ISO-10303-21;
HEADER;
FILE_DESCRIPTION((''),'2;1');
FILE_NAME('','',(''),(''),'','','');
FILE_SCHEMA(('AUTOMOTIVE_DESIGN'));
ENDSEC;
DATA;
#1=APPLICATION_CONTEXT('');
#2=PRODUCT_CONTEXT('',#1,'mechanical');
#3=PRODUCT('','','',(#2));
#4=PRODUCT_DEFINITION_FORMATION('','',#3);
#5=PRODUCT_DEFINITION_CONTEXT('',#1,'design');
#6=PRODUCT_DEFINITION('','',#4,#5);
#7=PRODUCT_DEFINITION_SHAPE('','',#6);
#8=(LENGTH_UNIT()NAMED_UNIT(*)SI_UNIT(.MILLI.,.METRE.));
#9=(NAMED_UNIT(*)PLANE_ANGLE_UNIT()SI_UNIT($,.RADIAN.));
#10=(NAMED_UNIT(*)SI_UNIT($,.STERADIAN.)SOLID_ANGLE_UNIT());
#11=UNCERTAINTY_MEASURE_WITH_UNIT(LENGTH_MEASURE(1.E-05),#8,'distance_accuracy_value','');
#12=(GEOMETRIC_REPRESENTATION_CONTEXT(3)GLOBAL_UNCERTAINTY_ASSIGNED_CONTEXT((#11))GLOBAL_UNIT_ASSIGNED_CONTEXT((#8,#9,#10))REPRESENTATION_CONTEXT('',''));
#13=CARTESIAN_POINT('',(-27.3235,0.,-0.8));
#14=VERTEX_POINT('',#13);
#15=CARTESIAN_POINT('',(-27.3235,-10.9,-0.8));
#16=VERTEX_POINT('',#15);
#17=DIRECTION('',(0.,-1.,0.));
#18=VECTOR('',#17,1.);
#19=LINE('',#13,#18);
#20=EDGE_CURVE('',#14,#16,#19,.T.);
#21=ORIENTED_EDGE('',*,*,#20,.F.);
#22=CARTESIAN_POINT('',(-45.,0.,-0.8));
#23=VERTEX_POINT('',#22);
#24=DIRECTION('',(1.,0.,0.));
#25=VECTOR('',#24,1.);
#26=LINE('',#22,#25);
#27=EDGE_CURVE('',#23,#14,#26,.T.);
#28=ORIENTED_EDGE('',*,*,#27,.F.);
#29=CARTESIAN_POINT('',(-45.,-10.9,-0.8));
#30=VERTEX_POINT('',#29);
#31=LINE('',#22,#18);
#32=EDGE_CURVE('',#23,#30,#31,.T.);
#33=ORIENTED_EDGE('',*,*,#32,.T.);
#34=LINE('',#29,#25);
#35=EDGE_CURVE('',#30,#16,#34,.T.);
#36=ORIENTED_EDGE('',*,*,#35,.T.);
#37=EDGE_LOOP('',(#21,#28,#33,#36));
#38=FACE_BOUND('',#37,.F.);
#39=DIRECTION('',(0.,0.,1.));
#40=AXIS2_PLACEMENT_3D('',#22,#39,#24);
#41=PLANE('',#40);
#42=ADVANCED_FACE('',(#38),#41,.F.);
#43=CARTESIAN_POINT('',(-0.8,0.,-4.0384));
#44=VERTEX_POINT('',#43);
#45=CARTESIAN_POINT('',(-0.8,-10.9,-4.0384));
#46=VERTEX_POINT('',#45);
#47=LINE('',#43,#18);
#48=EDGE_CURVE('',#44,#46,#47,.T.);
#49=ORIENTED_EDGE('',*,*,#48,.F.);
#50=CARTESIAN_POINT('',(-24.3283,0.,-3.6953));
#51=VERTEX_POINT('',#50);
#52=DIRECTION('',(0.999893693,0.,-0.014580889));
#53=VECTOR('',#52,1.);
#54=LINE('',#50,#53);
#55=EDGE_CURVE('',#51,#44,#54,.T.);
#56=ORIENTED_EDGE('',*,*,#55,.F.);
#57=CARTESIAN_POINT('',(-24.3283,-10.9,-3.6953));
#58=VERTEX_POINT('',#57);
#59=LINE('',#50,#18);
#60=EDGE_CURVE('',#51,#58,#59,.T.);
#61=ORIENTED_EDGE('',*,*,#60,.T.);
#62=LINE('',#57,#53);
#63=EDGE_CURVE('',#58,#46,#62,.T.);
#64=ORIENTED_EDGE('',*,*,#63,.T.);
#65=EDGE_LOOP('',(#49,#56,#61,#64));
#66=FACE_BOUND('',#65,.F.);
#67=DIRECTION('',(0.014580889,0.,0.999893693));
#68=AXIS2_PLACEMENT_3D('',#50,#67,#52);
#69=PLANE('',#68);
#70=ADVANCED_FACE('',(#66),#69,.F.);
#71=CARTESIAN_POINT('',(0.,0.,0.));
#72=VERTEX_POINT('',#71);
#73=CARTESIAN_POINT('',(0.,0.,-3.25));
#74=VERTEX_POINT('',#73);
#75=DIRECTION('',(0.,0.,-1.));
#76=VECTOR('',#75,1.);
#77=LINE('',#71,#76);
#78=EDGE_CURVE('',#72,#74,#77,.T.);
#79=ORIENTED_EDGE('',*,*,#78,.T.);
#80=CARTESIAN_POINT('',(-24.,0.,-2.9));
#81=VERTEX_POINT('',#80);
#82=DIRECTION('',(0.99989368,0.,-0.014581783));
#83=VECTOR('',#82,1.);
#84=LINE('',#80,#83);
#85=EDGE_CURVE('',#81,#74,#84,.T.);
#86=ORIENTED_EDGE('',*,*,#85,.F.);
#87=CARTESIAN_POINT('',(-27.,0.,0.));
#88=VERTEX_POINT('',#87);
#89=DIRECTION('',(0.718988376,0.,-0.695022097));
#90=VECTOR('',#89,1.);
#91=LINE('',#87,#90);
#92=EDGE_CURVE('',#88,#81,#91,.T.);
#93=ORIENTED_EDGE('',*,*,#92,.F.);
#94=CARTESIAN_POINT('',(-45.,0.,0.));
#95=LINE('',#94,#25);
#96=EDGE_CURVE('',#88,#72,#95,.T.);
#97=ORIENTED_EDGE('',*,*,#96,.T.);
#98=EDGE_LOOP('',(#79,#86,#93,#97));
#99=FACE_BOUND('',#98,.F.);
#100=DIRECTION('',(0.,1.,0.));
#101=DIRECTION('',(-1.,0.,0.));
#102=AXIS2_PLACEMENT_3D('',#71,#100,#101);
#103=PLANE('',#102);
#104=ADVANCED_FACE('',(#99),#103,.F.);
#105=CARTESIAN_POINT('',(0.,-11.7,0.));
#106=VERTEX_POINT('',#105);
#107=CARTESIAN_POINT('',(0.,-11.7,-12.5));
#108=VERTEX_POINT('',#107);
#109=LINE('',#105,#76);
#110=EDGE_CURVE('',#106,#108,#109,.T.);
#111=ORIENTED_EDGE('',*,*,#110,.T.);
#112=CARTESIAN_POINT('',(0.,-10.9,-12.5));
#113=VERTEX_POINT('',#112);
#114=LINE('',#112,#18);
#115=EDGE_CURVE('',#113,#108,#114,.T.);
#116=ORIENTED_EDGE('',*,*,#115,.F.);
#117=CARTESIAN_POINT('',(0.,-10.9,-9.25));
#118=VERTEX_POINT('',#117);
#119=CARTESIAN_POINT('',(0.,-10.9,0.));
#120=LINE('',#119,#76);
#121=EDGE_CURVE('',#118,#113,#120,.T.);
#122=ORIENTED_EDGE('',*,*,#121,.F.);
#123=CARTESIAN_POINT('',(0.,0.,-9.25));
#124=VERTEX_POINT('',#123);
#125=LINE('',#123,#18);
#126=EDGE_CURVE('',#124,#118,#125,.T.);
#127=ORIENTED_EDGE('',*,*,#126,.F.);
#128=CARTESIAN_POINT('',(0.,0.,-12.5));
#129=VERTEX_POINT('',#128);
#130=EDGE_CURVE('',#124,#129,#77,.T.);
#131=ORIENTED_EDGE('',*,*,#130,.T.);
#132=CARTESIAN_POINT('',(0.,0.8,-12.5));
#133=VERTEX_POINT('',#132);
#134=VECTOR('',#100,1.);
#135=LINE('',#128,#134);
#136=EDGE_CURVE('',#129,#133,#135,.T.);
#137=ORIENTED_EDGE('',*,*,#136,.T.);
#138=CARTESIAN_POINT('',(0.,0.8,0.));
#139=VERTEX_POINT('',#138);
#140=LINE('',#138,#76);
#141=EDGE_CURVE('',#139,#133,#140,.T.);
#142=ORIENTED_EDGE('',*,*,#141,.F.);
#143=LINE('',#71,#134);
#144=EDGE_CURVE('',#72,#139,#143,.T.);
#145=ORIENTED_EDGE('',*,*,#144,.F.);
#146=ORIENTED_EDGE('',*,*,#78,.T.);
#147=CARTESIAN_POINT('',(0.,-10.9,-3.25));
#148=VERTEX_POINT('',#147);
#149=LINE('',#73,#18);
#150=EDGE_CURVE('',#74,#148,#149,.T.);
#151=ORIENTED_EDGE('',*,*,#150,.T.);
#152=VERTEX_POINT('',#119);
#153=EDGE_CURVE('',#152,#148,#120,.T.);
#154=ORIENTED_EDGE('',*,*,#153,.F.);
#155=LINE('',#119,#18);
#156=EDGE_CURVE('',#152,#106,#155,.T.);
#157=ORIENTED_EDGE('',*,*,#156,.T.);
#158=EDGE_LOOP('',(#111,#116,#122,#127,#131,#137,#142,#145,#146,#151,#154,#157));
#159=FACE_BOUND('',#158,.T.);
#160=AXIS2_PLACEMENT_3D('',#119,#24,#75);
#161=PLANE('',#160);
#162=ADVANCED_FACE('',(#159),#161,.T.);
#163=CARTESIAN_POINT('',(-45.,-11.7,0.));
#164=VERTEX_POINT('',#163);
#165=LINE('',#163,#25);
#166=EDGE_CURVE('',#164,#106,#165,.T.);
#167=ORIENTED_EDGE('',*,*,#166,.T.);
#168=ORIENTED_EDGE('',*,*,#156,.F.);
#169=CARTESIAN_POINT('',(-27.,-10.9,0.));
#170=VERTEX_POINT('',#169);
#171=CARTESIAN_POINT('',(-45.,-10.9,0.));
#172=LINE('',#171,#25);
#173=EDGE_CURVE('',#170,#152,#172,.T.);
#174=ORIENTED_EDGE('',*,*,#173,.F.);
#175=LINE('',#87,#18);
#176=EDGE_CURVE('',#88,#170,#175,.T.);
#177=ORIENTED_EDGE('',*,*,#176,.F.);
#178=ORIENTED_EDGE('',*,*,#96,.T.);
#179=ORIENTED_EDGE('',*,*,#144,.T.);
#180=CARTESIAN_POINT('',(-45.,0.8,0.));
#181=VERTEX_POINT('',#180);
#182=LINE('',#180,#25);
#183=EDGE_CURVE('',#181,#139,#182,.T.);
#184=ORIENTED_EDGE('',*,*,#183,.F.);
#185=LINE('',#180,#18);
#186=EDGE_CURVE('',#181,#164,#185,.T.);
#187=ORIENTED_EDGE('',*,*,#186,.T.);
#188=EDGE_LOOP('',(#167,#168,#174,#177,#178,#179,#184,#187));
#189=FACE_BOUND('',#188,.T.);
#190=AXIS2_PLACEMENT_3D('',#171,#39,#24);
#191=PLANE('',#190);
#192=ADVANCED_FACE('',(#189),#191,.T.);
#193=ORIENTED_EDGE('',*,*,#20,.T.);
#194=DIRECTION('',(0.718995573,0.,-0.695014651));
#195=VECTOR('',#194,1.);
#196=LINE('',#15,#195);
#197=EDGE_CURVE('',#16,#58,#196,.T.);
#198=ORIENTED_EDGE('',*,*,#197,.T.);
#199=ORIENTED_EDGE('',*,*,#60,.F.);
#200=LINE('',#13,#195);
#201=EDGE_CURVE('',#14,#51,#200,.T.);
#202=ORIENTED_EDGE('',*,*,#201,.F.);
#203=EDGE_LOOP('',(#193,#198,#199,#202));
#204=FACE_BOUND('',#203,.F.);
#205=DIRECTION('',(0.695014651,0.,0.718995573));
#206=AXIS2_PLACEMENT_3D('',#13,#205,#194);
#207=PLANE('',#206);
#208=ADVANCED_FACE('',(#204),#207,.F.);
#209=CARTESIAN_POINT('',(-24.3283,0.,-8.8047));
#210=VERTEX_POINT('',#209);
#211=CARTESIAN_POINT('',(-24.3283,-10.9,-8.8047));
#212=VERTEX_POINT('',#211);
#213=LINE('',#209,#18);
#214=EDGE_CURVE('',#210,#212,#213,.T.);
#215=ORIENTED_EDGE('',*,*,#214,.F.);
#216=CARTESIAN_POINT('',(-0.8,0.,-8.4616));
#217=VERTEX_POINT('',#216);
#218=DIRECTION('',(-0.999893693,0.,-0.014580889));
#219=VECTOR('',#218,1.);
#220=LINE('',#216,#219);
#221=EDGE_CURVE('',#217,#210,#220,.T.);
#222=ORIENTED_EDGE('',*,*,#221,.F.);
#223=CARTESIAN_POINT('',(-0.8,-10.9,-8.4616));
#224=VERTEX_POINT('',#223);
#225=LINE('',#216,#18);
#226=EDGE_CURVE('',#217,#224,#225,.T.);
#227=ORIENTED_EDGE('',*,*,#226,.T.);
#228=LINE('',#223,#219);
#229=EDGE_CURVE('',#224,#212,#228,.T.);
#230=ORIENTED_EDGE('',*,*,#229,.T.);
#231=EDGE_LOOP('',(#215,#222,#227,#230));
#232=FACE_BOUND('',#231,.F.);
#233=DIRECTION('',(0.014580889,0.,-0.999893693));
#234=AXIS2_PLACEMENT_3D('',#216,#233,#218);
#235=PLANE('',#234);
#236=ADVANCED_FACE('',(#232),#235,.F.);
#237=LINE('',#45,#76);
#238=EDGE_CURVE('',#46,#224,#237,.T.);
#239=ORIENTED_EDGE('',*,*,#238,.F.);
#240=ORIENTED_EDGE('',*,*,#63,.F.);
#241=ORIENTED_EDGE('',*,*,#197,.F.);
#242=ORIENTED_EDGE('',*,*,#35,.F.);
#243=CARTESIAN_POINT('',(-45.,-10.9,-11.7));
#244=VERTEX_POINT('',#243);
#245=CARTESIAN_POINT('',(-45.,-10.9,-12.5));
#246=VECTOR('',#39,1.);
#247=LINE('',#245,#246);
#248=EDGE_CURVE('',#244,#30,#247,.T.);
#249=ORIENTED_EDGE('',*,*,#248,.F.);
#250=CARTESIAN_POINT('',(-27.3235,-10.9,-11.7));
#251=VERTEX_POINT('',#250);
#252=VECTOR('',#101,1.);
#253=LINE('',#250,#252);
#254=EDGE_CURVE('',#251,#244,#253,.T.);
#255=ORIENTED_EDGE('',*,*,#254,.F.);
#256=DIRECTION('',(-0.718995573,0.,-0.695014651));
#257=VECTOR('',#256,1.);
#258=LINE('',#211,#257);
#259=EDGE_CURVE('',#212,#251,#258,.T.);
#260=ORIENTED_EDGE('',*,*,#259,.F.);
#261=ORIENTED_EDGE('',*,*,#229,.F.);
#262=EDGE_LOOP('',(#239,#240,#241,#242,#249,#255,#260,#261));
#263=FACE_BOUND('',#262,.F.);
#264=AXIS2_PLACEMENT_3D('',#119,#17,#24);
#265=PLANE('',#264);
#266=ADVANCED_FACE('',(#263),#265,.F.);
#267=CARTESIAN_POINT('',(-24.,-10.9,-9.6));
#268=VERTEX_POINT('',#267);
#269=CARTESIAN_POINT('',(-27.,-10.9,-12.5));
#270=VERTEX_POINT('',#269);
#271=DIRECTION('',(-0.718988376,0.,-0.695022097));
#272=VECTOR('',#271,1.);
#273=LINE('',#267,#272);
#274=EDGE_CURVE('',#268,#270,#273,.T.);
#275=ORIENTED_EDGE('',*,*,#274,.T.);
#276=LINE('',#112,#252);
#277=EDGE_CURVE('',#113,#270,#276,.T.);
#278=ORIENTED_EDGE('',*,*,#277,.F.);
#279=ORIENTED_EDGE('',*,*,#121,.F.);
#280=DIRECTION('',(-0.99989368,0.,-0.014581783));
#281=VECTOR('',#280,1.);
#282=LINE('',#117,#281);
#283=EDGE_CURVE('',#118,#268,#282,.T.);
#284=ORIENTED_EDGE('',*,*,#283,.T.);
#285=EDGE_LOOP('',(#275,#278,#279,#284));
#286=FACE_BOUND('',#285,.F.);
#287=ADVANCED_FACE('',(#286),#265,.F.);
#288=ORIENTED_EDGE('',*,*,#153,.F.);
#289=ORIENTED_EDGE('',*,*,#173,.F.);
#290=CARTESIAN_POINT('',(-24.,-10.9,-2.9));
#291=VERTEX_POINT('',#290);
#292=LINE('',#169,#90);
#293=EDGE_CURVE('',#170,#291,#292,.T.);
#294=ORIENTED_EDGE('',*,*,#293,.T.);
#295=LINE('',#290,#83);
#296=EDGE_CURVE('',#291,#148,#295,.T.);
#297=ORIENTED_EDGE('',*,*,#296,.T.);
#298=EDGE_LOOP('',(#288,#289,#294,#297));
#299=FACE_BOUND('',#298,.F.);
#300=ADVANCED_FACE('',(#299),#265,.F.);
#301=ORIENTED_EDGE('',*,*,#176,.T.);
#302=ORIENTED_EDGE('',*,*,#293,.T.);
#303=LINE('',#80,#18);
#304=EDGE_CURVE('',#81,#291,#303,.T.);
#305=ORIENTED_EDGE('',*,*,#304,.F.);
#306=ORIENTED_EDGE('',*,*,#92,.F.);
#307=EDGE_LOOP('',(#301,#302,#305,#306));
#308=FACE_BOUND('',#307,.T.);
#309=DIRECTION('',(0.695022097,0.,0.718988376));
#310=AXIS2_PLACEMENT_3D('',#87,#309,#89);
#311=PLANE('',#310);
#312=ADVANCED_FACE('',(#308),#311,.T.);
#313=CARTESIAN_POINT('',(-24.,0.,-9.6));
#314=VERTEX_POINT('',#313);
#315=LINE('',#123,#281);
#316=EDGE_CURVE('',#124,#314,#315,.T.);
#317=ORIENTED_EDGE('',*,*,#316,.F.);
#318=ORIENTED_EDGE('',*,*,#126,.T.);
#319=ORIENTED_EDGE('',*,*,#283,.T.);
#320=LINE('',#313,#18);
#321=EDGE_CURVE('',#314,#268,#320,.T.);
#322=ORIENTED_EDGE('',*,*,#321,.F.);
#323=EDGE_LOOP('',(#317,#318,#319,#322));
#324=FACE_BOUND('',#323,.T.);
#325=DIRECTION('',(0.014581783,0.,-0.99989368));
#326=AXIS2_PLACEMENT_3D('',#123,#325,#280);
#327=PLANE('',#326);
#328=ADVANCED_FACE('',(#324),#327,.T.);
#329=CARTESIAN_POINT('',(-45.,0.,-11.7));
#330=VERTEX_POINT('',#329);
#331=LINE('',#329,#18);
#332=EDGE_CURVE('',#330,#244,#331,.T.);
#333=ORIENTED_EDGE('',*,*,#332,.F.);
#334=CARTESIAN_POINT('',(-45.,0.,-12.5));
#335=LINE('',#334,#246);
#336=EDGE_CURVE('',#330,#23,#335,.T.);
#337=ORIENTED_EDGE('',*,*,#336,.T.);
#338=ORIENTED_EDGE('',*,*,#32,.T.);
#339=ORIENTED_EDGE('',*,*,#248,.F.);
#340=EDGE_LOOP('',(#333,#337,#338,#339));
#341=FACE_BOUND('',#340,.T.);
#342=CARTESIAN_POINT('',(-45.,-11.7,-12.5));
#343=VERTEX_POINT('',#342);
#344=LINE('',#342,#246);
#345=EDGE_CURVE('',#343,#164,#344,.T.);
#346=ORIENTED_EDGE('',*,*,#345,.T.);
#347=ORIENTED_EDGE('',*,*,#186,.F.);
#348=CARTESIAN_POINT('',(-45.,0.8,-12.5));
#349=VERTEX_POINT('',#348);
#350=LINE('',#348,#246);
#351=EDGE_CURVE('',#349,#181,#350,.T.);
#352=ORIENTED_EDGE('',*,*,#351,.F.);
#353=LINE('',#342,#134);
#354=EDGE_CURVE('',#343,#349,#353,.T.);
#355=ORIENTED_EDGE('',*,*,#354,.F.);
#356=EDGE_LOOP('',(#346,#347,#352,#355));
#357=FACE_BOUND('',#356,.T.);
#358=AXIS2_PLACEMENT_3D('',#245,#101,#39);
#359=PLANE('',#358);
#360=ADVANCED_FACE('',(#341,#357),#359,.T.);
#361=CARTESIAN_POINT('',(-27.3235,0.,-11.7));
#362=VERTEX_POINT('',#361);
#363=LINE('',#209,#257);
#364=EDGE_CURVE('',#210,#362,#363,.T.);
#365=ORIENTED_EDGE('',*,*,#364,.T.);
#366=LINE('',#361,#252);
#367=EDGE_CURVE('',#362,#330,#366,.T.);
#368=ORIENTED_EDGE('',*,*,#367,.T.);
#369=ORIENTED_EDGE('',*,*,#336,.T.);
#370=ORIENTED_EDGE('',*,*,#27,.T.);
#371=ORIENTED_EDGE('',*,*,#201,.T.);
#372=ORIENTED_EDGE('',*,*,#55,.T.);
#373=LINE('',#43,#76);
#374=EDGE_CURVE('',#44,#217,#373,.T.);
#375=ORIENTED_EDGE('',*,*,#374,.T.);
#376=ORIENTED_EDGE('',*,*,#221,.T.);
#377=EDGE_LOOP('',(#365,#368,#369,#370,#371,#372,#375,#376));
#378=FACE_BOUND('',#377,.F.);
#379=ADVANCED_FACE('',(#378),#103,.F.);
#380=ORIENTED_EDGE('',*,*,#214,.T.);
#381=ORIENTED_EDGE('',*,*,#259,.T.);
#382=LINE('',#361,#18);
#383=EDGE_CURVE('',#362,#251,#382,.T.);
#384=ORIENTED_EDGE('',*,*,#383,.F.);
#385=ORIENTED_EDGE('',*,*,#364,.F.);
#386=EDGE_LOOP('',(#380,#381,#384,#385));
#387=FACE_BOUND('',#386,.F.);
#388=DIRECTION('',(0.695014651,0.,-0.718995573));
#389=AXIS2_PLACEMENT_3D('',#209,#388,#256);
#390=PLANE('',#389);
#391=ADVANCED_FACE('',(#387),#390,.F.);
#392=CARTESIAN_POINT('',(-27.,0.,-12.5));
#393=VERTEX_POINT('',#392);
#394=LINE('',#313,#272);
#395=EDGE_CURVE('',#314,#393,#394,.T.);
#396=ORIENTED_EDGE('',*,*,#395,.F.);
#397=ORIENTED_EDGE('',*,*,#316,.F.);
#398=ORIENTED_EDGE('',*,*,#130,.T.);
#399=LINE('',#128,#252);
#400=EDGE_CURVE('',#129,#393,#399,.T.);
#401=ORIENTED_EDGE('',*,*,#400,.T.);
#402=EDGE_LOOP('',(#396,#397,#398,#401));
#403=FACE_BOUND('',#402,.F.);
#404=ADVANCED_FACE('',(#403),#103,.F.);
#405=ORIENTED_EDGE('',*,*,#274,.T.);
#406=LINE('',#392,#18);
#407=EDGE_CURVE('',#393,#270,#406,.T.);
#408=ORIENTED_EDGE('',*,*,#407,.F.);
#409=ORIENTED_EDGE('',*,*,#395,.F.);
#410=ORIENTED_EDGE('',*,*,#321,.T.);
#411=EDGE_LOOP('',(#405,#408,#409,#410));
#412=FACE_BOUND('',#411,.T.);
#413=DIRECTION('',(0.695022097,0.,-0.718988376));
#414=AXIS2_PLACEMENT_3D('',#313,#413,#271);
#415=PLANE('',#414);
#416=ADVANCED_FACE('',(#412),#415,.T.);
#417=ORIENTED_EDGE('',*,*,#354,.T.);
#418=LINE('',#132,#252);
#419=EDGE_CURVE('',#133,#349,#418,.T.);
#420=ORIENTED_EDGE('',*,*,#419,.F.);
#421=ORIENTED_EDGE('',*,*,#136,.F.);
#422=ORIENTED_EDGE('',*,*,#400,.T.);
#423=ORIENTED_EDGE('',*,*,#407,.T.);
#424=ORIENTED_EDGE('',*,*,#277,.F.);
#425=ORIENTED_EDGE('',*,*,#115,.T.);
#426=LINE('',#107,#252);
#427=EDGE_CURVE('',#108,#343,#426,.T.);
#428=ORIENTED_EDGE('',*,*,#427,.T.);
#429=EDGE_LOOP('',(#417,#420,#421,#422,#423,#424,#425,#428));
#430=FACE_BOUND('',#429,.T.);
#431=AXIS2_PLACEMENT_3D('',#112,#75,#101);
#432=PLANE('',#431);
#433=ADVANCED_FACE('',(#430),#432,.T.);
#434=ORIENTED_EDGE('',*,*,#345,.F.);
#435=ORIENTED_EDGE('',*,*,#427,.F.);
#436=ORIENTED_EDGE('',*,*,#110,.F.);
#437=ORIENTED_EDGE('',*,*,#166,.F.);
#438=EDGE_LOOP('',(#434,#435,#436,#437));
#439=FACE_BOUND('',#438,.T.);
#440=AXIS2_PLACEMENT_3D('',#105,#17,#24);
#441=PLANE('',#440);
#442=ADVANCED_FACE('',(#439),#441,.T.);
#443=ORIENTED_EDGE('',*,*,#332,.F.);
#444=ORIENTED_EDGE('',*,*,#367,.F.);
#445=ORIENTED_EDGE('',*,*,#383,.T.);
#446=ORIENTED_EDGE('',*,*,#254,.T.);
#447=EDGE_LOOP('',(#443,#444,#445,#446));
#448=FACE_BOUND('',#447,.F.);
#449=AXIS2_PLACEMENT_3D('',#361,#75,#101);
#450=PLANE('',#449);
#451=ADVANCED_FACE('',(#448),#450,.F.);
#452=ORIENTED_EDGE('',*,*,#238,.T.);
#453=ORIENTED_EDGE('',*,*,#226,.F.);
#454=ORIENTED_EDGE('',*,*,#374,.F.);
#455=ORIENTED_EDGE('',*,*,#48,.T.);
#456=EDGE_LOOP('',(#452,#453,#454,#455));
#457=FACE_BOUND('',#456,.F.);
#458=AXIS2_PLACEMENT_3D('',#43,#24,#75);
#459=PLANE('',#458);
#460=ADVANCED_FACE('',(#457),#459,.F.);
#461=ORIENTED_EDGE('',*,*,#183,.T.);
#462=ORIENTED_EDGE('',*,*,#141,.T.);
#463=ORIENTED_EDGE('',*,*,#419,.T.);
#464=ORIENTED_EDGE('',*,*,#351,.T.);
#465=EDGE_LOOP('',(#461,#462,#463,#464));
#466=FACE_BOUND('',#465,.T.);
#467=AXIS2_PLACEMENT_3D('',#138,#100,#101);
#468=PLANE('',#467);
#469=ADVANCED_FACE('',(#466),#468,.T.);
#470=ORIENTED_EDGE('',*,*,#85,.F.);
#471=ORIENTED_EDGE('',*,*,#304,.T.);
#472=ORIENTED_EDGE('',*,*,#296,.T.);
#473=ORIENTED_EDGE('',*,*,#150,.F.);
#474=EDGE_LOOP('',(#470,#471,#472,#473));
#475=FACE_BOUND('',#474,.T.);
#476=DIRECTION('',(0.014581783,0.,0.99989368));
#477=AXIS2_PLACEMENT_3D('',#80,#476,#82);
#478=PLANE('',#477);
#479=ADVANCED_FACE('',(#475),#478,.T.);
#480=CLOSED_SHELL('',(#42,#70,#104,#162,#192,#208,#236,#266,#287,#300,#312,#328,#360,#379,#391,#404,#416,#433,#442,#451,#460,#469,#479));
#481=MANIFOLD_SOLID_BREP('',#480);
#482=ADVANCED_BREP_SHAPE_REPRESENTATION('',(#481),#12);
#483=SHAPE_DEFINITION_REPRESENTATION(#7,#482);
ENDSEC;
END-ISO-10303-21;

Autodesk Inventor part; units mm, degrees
ref_plane "YZ Plane" through (0, 0, 0) normal (1, 0, 0) x (0, 1, 0)
ref_plane "XZ Plane" through (0, 0, 0) normal (0, 1, 0) x (-1, 0, 0)
ref_plane "XY Plane" through (0, 0, 0) normal (0, 0, 1) x (1, 0, 0)
sketch "Sketch1" plane through (0, 0, 0) normal (0, 1, 0) x (-1, 0, 0)
  line L0 (45, 0) -> (0, 0)
  line L1 (0, 0) -> (0, -12.5)
  line L2 (0, -12.5) -> (45, -12.5)
  line L3 (45, -12.5) -> (45, 0)
  dimension "d0" = 45
  dimension "d1" = 12.5
extrude "Extrusion1" add sketch "Sketch1" along normal blind 0.8
sketch "Sketch3" plane through (0, 0, 0) normal (0, -1, 0) x (1, 0, 0)
  line L0 (-45, 0) -> (-27, 0)
  line L1 (-27, 0) -> (-24, -2.9)
  line L2 (-24, -2.9) -> (0, -3.25)
  line L3 (0, 0) -> (0, -12.5) projected
  line L4 (0, -9.25) -> (-24, -9.6)
  line L5 (-24, -9.6) -> (-27, -12.5)
  line L6 (0, -12.5) -> (-45, -12.5) projected
  line L7 (-45, -12.5) -> (-27, -12.5)
  line L8 (0, 0) -> (0, -12.5) projected
  line L9 (-28.7719, -3.1178) -> (-25.8887, -3.1178) construction
  line L10 (-28.7189, -9.8202) -> (-22.671, -9.5806) construction
  line L11 (-45, 0) -> (0, 0) construction
  line L12 (0, -3.25) -> (0, -9.25)
  line L13 (-45, -12.5) -> (-45, 0) projected
  line L14 (-45, 0) -> (-45, -0.8)
  line L15 (-45, -0.8) -> (-27.3235, -0.8)
  line L16 (-27.3235, -0.8) -> (-24.3283, -3.6953)
  line L17 (-24.3283, -3.6953) -> (-0.8, -4.0384)
  line L18 (-0.8, -4.0384) -> (-0.8, -8.4616)
  line L19 (-0.8, -8.4616) -> (-24.3283, -8.8047)
  line L20 (-24.3283, -8.8047) -> (-27.3235, -11.7)
  line L21 (-27.3235, -11.7) -> (-45, -11.7)
  line L22 (-45, -12.5) -> (-45, -11.7)
  dimension "d6" = 18
  dimension "d7" = 6.7
  dimension "d9" = 2.9
  dimension "d10" = 6
  dimension "d12" = 24
  dimension "d13" = 3.25
  dimension "d14" = 0.8
  dimension "d15" = 0.8
  dimension "d16" = 0.8
  dimension "d17" = 0.8
  dimension "d18" = 0.8
  dimension "d19" = 0.8
  dimension "d20" = 0.8
extrude "Extrusion2" add sketch "Sketch3" along normal blind 10.9 contours L0 L1 L2 L3 L4 L5 L6 L13 L21 L20 L19 L18 L17 L16 L15
sketch "Sketch4" plane through (0, -10.9, 0) normal (0, -1, 0) x (1, 0, 0)
  line L0 (0, 0) -> (0, -12.5) projected
  line L1 (-45, 0) -> (0, 0)
  line L2 (0, 0) -> (0, -12.5)
  line L3 (0, -12.5) -> (-45, -12.5)
  line L4 (-45, -12.5) -> (-45, 0)
extrude "Extrusion3" add sketch "Sketch4" along normal blind 0.8
properties part number "Cuvette" material "Polycarbonate, Clear"
